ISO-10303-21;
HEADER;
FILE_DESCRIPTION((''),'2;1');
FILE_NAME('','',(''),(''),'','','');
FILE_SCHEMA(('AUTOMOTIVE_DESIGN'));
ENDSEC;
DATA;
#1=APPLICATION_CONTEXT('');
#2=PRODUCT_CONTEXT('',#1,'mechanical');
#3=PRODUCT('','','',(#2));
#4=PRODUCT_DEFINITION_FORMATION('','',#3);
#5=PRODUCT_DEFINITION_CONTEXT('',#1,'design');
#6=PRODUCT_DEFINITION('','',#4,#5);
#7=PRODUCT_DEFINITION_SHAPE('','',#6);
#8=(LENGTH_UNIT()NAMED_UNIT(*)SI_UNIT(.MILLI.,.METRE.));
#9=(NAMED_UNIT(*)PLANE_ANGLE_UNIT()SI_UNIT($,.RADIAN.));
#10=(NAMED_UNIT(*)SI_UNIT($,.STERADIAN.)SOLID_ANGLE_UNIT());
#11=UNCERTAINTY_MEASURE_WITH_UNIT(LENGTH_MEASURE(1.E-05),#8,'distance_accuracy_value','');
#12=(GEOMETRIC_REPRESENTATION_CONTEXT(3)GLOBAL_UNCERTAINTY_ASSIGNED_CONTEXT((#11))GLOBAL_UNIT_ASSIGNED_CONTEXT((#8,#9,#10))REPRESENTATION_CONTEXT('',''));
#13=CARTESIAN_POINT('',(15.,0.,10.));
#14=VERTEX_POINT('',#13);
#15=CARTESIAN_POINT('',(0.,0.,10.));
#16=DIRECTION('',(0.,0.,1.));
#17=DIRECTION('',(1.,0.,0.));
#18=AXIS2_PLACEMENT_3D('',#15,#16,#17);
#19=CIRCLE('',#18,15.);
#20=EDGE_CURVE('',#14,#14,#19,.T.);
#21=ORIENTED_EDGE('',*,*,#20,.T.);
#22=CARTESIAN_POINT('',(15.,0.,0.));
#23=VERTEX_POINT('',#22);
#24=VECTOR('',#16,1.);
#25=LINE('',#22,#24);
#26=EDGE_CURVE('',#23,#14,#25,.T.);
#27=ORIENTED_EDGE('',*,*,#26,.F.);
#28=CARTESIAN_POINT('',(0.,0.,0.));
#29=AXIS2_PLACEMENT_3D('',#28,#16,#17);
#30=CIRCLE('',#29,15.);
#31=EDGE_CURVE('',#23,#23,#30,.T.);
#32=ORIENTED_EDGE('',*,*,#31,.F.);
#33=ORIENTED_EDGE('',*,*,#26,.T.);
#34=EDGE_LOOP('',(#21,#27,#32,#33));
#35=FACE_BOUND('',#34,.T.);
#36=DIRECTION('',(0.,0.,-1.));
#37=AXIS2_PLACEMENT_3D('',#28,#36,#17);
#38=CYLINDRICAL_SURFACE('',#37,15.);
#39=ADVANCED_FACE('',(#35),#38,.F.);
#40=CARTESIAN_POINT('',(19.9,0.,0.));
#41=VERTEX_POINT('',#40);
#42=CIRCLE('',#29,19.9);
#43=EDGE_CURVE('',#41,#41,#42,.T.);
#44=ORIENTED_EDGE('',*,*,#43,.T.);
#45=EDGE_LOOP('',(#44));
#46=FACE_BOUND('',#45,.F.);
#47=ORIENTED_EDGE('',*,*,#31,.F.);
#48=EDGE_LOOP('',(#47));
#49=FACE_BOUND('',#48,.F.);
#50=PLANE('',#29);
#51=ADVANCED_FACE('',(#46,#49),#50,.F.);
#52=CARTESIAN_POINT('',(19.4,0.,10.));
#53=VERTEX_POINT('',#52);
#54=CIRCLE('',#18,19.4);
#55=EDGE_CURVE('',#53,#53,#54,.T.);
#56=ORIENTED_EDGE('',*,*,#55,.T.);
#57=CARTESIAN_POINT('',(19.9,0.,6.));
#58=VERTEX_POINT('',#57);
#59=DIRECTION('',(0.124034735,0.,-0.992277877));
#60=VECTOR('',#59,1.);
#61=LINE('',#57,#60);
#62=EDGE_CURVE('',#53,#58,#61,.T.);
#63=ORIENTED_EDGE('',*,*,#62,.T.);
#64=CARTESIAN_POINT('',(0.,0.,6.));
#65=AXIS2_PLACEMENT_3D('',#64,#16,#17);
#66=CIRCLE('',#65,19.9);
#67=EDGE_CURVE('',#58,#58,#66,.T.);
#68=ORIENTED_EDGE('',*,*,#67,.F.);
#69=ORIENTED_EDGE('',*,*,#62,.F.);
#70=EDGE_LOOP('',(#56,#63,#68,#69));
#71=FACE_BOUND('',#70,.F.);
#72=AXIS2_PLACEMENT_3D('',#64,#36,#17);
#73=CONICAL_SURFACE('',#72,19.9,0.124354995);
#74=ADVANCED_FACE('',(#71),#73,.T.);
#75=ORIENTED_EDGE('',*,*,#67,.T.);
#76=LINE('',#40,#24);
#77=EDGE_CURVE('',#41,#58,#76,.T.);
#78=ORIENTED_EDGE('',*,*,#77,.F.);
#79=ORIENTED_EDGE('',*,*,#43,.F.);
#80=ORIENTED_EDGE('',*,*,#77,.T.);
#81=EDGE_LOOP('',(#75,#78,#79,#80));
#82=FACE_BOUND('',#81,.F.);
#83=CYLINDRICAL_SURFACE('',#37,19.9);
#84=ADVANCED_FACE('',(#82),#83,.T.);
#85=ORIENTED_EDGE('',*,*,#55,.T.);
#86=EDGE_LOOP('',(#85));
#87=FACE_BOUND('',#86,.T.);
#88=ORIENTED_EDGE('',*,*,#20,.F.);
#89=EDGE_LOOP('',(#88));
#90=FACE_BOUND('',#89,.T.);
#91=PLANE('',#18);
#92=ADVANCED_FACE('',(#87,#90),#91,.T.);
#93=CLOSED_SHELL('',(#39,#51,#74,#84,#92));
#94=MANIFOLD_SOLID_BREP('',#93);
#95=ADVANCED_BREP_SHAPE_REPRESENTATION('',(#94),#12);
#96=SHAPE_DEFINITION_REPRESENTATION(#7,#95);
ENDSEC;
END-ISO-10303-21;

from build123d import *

# Parameters (mm, degrees)
F0_R     = 19.9
F0_R_2   = 15
F1_DEPTH = 10
F2_SIZE2 = 4
F2_SIZE  = 0.5


with BuildPart() as f1:
    # F0 (on Top) → F1 (new body)
    with BuildSketch(Plane.XY):
        Circle(F0_R)
        Circle(F0_R_2, mode=Mode.SUBTRACT)
    extrude(amount=F1_DEPTH)

    # F2
    f2_edges = [f1.edges().sort_by_distance(p)[0] for p in [
        (-19.9, 0, 10),
    ]]
    f2_side = f1.faces().sort_by_distance((-19.337143, 0, 10))[0]
    chamfer(f2_edges, length=F2_SIZE, length2=F2_SIZE2, reference=f2_side)


solid = f1.part
